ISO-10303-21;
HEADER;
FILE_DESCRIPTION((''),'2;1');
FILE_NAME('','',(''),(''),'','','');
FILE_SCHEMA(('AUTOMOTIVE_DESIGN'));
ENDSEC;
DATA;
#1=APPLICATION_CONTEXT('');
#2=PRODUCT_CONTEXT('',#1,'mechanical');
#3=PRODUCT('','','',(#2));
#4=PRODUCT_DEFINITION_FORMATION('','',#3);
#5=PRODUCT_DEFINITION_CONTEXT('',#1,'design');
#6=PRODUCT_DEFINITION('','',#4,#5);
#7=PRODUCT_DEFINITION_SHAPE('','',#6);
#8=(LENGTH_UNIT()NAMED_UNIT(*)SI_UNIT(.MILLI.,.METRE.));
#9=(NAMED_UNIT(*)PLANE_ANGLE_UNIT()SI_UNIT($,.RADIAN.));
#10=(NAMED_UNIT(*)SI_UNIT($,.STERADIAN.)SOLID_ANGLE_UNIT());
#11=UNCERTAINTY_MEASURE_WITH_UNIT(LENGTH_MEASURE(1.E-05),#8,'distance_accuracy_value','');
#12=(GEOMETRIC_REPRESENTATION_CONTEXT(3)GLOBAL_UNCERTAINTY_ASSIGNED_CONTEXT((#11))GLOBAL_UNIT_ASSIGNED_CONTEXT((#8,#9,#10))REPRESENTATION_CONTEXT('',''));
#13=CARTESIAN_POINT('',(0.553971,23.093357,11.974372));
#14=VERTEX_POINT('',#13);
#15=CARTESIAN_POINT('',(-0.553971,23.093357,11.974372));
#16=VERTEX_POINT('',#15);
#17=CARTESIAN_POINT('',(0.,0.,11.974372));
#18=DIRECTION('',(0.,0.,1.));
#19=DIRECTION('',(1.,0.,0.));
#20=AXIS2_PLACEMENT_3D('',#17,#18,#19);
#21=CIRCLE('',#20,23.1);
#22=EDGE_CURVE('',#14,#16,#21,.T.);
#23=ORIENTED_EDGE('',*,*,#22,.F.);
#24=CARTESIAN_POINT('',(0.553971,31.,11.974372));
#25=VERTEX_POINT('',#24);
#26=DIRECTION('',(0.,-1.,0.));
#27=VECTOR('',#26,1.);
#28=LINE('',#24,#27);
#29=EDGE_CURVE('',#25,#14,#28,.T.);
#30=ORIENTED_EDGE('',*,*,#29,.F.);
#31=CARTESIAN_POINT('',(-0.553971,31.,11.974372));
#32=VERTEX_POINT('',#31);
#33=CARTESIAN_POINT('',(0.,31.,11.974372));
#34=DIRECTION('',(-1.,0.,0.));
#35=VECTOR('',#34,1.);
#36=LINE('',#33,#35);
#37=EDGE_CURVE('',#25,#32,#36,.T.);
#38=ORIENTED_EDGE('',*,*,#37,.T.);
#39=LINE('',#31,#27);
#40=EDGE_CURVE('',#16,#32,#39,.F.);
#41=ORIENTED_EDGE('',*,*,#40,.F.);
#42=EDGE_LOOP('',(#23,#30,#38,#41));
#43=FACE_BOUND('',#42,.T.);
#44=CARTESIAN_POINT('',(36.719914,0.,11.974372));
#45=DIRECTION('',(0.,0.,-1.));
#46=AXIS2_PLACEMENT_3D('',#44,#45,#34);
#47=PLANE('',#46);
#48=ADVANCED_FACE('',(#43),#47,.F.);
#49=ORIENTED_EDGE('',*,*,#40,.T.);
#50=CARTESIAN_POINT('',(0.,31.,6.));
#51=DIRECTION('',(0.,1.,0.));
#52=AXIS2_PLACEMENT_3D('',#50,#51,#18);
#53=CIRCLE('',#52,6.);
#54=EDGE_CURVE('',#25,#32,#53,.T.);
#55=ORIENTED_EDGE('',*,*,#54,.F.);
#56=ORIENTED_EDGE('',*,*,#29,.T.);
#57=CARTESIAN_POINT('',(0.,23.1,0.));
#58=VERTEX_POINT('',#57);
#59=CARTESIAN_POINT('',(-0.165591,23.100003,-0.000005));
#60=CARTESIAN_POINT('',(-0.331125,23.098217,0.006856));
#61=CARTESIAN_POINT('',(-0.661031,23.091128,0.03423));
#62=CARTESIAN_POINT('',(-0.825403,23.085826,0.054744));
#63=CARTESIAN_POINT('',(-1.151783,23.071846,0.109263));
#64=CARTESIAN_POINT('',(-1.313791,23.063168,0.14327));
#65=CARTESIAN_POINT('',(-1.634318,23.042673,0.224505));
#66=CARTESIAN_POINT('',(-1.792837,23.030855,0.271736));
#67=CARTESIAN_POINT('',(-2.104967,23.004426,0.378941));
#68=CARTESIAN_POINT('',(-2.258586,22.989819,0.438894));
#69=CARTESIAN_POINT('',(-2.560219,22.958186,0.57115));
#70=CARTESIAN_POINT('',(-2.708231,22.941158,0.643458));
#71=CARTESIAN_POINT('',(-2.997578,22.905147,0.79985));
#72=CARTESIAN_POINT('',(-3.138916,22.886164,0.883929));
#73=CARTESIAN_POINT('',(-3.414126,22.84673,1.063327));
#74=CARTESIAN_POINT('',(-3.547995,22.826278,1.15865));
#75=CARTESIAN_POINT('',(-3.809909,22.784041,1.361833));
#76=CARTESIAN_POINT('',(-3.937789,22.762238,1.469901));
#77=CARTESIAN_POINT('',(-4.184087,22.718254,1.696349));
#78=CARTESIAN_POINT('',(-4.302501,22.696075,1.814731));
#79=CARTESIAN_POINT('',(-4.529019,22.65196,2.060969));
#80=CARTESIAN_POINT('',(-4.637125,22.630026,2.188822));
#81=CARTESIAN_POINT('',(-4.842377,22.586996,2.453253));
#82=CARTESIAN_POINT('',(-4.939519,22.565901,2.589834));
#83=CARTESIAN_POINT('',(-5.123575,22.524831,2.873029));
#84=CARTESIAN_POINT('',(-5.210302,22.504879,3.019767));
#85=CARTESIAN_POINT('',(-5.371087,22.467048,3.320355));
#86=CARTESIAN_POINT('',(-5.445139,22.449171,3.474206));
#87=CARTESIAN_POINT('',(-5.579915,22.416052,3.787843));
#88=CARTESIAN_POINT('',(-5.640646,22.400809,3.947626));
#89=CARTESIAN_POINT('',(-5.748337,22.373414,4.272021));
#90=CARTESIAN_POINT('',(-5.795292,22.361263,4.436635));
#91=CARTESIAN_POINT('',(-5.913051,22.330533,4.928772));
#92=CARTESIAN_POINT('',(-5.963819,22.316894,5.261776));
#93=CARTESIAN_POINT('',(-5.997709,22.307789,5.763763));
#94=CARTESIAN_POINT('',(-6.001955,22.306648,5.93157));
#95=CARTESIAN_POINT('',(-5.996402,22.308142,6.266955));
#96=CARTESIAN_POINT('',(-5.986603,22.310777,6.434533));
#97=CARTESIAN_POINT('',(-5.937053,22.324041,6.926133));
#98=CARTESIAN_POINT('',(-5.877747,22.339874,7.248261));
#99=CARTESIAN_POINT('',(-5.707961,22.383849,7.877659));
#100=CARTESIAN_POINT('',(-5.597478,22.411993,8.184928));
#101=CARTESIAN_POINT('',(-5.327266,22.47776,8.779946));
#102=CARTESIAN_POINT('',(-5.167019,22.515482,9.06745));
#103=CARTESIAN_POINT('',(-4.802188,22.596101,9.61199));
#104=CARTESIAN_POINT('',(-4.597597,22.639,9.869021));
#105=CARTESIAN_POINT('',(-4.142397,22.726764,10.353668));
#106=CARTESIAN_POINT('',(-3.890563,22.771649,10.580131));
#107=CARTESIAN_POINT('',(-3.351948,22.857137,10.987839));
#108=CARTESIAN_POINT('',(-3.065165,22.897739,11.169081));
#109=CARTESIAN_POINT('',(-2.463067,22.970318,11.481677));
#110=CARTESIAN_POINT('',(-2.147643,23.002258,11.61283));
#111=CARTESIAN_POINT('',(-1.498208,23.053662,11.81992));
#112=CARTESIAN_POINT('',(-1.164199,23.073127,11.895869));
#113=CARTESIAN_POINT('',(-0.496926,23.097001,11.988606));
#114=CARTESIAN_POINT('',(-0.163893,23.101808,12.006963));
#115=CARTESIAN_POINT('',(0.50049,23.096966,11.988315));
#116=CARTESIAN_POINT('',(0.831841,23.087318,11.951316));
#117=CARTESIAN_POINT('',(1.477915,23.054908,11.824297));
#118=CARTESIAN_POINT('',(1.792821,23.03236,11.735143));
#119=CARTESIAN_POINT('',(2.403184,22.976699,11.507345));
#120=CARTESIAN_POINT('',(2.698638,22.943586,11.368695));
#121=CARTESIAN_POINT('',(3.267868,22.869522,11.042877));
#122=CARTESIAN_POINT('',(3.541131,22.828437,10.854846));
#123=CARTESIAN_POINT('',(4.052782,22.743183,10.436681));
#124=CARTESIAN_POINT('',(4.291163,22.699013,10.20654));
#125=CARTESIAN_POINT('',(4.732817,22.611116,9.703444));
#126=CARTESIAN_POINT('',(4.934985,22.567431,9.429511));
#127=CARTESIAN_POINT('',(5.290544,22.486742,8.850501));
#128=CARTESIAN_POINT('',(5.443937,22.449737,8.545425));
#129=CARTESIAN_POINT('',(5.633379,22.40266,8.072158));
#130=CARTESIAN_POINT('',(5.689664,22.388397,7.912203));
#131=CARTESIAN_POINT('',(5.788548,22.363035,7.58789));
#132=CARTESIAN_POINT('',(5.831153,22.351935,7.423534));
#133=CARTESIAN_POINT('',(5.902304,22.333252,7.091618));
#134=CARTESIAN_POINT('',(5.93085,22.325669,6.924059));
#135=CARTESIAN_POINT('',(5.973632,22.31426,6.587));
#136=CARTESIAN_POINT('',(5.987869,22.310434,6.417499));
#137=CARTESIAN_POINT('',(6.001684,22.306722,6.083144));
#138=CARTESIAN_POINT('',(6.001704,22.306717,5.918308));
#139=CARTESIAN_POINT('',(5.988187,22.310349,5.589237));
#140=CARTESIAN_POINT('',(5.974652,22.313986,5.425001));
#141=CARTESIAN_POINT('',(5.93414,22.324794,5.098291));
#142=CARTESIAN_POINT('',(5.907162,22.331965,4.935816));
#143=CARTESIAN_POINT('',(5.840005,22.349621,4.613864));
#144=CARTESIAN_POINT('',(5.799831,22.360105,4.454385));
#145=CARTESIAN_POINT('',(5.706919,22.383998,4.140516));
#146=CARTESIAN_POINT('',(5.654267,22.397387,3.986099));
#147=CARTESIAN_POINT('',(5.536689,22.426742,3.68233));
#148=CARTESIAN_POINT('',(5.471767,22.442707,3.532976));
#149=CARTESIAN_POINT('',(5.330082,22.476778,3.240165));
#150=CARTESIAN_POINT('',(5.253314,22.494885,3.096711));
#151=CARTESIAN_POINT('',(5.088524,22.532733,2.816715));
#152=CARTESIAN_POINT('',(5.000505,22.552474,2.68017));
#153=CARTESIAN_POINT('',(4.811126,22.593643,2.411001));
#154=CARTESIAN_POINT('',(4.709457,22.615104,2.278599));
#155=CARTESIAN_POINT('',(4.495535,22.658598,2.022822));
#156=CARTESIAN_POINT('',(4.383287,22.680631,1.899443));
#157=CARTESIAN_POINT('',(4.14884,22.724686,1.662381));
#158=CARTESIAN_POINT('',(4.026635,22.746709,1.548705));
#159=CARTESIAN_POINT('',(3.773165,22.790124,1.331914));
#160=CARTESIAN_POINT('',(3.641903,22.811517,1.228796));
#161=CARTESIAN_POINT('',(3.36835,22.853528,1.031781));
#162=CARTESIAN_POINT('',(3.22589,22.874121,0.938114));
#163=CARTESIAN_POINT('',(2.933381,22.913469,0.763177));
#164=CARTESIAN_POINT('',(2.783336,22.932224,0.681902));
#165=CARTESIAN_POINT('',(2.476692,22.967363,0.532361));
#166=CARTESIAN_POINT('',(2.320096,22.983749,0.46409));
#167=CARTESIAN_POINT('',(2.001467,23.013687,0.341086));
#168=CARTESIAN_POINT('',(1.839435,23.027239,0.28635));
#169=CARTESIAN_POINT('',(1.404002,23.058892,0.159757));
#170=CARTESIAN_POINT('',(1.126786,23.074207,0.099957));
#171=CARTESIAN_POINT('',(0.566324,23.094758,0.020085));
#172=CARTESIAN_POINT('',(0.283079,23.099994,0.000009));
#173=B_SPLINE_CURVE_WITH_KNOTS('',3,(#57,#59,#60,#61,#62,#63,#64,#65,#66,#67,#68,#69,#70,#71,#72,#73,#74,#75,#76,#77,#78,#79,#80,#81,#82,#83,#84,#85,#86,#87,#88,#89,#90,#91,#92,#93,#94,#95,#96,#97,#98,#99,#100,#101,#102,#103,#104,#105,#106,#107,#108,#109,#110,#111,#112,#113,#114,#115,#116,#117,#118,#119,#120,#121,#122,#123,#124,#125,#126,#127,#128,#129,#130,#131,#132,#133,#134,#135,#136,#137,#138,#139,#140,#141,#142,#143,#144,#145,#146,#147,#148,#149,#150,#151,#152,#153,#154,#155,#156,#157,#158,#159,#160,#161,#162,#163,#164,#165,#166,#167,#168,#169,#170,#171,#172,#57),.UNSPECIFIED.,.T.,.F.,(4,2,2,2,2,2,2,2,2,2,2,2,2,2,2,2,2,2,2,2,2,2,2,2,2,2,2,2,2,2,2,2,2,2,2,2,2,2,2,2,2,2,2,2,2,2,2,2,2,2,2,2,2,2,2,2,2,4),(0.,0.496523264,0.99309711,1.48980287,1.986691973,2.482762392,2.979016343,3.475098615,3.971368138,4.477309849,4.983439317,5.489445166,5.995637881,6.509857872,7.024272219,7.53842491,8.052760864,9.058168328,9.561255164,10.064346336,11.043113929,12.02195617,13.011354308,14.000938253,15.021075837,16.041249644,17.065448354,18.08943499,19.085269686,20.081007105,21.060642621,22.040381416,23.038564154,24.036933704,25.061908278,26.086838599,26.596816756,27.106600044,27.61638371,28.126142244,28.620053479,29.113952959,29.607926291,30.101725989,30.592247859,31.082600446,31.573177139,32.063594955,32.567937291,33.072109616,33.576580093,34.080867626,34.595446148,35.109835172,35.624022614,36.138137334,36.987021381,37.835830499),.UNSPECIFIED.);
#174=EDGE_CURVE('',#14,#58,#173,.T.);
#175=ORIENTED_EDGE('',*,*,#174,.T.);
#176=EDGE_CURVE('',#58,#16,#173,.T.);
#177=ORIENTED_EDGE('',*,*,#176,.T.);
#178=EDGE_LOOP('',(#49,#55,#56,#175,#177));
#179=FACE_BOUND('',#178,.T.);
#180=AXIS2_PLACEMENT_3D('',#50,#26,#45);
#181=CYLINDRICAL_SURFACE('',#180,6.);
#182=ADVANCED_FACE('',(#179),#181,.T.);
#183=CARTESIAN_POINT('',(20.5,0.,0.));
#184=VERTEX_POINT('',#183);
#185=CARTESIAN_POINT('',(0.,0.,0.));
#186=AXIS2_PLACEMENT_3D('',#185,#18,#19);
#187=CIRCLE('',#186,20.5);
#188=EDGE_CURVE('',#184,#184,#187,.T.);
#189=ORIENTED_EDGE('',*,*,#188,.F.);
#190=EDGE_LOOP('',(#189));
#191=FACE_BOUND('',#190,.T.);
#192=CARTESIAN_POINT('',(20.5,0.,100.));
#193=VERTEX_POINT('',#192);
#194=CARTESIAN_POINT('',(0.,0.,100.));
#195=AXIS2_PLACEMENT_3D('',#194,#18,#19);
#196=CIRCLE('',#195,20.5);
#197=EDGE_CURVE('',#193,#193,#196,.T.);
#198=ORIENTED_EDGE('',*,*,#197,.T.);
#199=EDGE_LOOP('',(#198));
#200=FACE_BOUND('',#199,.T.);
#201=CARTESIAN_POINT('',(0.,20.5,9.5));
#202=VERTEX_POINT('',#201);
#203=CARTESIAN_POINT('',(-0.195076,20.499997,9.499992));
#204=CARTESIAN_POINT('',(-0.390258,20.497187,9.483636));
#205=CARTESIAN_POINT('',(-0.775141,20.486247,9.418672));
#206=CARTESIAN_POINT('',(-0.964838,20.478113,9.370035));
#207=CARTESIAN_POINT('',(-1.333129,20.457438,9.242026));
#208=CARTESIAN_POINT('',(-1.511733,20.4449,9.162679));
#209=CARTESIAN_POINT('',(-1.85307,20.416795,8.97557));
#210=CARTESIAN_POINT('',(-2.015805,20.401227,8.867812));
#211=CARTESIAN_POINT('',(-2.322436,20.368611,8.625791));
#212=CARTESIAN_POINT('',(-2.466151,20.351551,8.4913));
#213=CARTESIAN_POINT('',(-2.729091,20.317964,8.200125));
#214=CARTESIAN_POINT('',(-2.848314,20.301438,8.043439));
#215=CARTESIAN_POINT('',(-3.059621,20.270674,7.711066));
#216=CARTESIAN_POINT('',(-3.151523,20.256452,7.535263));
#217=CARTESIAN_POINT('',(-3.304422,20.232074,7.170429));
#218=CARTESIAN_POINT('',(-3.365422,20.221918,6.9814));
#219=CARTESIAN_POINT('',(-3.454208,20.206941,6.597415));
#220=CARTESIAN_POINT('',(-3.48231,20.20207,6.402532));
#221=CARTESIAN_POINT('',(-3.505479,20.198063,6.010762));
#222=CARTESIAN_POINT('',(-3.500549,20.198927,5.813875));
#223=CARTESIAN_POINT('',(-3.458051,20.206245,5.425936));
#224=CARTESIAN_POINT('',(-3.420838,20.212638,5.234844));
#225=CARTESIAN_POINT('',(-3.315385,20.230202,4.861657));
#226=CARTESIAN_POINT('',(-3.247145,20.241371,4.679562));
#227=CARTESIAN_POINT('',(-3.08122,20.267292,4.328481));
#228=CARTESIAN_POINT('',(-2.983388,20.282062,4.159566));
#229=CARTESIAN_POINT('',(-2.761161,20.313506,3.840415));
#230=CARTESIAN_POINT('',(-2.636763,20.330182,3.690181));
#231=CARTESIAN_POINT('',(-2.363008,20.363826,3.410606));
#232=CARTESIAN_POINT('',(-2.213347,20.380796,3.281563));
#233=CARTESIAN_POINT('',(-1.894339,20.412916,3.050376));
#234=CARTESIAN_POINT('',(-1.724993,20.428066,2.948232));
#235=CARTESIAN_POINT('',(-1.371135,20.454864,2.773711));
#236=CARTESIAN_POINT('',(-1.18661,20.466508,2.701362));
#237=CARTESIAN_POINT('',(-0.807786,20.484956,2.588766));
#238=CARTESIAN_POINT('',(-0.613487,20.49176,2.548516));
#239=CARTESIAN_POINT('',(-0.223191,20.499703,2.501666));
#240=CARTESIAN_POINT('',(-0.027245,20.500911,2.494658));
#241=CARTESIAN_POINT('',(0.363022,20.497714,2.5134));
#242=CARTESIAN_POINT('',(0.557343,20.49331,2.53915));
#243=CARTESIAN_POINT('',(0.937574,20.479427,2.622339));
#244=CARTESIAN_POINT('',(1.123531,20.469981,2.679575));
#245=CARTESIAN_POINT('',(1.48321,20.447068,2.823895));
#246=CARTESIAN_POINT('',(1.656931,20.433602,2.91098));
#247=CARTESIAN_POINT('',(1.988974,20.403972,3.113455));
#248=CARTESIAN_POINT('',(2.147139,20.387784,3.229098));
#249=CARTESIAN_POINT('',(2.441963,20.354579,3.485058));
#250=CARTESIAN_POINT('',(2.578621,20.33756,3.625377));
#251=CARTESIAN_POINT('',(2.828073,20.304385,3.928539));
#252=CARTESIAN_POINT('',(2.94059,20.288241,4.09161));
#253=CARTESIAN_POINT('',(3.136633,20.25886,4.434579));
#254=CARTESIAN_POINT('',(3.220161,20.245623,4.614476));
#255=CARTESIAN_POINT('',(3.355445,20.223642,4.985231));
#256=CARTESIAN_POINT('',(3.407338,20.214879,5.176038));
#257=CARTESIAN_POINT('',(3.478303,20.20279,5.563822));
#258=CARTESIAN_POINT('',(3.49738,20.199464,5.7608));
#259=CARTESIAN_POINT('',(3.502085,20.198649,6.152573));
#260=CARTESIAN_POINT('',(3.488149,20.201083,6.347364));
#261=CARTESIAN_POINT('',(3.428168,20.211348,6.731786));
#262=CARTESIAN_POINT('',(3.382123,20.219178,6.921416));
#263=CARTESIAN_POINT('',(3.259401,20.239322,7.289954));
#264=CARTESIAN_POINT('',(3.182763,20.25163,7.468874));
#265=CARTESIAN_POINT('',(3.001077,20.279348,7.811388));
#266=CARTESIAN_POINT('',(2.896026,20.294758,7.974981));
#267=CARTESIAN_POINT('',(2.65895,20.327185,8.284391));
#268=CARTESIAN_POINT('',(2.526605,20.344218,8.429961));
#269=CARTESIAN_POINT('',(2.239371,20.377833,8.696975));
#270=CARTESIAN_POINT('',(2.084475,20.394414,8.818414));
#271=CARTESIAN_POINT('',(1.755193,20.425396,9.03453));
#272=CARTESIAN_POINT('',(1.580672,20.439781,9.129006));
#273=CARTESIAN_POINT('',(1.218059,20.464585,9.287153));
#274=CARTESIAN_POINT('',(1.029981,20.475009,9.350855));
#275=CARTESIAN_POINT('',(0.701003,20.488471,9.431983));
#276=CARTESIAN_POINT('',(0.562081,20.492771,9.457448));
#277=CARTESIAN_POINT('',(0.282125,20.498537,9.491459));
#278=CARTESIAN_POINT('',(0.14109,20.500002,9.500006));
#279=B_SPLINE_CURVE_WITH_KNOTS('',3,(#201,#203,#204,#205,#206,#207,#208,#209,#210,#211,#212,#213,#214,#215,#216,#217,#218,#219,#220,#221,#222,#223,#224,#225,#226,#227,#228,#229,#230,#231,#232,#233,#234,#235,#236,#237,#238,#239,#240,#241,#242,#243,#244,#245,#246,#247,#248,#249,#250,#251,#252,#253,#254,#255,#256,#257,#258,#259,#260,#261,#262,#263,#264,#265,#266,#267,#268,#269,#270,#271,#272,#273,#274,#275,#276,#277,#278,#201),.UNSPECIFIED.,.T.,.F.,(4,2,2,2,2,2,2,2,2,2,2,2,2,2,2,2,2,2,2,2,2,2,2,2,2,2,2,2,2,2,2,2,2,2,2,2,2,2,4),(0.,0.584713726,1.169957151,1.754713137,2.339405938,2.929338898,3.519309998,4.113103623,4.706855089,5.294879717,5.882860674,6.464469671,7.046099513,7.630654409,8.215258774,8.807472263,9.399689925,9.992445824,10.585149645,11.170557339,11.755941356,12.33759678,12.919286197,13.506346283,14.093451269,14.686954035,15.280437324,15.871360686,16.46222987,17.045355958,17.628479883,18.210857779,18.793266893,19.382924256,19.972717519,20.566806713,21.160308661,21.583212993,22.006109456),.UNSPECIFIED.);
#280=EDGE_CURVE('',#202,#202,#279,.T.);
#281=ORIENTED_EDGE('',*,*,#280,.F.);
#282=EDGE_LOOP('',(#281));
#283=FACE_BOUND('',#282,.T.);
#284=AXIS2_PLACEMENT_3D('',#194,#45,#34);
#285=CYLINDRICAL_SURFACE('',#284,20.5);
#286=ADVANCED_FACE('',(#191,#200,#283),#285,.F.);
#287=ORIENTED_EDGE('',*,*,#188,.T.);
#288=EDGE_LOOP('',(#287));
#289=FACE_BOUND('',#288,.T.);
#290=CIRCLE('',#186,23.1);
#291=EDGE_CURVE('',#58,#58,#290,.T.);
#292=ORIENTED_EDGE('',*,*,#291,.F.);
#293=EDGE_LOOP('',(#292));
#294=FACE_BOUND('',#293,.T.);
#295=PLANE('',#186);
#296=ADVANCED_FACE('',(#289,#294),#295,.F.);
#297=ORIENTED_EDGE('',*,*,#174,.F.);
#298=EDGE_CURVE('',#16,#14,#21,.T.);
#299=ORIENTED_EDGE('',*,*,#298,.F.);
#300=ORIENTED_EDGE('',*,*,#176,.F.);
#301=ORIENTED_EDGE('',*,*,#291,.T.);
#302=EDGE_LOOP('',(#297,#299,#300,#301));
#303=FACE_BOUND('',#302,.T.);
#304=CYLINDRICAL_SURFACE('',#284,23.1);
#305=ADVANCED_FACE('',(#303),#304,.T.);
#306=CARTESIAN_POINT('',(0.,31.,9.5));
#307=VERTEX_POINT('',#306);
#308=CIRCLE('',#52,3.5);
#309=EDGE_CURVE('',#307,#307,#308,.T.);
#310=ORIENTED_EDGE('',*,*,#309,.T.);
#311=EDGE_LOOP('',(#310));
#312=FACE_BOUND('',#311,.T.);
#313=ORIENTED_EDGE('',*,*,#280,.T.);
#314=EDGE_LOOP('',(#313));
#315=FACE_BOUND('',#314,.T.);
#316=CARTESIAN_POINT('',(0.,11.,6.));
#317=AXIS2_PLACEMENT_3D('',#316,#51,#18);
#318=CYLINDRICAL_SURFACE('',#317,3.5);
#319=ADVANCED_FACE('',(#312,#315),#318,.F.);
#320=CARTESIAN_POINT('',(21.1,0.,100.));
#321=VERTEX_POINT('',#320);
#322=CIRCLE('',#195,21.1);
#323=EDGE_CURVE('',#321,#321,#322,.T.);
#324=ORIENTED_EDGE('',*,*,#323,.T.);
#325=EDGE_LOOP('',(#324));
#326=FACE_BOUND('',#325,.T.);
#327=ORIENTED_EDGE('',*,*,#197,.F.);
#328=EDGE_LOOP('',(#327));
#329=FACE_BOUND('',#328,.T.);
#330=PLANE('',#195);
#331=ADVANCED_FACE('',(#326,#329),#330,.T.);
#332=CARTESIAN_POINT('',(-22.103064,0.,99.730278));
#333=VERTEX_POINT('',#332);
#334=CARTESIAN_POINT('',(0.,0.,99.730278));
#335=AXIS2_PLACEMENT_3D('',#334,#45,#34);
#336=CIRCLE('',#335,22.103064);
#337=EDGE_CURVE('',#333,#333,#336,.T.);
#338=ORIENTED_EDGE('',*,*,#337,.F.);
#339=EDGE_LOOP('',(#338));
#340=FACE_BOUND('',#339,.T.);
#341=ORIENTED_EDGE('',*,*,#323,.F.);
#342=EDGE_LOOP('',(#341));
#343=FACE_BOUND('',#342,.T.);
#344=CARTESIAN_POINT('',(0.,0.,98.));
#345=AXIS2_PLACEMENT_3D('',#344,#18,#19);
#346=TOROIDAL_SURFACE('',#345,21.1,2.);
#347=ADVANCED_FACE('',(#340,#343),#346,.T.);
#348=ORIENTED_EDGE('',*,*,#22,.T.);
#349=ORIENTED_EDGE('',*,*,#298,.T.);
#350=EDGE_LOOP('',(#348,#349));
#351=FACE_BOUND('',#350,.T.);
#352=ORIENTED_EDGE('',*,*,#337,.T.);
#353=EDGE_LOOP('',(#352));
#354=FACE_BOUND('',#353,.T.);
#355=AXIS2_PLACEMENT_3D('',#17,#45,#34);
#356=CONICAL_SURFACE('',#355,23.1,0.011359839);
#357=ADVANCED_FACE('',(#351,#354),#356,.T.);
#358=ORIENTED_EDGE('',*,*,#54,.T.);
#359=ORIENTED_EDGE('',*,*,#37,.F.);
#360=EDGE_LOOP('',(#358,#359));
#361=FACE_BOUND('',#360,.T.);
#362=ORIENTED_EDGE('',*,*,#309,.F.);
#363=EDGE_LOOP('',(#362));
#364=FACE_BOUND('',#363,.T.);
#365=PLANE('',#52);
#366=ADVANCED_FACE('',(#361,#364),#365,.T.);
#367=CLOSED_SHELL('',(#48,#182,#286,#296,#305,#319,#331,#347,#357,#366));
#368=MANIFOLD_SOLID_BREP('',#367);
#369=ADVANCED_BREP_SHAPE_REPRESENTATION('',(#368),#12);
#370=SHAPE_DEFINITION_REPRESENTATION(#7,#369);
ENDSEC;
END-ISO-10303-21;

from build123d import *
from build123d.topology import SkipClean

# Parameters (mm, degrees)
SKETCH_1_R          = 23.1
SKETCH_1_R_2        = 20.5
EXTRUDE_1_DEPTH     = 100
SKETCH_2_R          = 6
EXTRUDE_2_DEPTH     = 10
SKETCH_3_R          = 3.5
CUT_EXTRUDE_1_DEPTH = 20
FILLET_1_R          = 2


with BuildPart() as part:
    # 草图1 → 凸台-拉伸1 (new body)
    with BuildSketch(Plane.XY):
        with Locations(Location((0, 0, 0), (0, 0, 180))):
            Circle(SKETCH_1_R)
        with Locations(Location((0, 0, 0), (0, 0, 180))):
            Circle(SKETCH_1_R_2, mode=Mode.SUBTRACT)
    extrude(amount=EXTRUDE_1_DEPTH)

    # 草图2 → 凸台-拉伸2 (add)
    with BuildSketch(Plane(origin=(0, 21, 0), x_dir=(1, 0, 0), z_dir=(0, 1, 0))):
        with Locations(Location((0, -6, 0), (0, 0, 270))):
            Circle(SKETCH_2_R)
    extrude(amount=EXTRUDE_2_DEPTH)

    # 草图3 → 切除-拉伸1 (cut)
    with BuildSketch(Plane(origin=(0, 31, 0), x_dir=(1, 0, 0), z_dir=(0, 1, 0))):
        with Locations(Location((0, -6, 0), (0, 0, 270))):
            Circle(SKETCH_3_R)
    extrude(amount=-CUT_EXTRUDE_1_DEPTH, mode=Mode.SUBTRACT)

    # 圆角1
    fillet_1_edges = [part.edges().sort_by_distance(p)[0] for p in [
        (23.1, 0, 100),
    ]]
    fillet(fillet_1_edges, radius=FILLET_1_R)

    # 草图4 → 切除-旋转1 (revolve, cut)
    with SkipClean():  # the faces are left unmerged after this step: merging them gives an invalid solid
        with BuildSketch(Plane(origin=(0, 0, 0), x_dir=(1, 0, 0), z_dir=(0, 1, 0))):
            Polygon((23.1, -11.974371638), (22.1, -100), (36.719914386, -100), (36.719914386, -11.974371638), align=None)
        revolve(axis=Axis((0, 0, 100), (0, 0, -1)), mode=Mode.SUBTRACT)


solid = part.part
